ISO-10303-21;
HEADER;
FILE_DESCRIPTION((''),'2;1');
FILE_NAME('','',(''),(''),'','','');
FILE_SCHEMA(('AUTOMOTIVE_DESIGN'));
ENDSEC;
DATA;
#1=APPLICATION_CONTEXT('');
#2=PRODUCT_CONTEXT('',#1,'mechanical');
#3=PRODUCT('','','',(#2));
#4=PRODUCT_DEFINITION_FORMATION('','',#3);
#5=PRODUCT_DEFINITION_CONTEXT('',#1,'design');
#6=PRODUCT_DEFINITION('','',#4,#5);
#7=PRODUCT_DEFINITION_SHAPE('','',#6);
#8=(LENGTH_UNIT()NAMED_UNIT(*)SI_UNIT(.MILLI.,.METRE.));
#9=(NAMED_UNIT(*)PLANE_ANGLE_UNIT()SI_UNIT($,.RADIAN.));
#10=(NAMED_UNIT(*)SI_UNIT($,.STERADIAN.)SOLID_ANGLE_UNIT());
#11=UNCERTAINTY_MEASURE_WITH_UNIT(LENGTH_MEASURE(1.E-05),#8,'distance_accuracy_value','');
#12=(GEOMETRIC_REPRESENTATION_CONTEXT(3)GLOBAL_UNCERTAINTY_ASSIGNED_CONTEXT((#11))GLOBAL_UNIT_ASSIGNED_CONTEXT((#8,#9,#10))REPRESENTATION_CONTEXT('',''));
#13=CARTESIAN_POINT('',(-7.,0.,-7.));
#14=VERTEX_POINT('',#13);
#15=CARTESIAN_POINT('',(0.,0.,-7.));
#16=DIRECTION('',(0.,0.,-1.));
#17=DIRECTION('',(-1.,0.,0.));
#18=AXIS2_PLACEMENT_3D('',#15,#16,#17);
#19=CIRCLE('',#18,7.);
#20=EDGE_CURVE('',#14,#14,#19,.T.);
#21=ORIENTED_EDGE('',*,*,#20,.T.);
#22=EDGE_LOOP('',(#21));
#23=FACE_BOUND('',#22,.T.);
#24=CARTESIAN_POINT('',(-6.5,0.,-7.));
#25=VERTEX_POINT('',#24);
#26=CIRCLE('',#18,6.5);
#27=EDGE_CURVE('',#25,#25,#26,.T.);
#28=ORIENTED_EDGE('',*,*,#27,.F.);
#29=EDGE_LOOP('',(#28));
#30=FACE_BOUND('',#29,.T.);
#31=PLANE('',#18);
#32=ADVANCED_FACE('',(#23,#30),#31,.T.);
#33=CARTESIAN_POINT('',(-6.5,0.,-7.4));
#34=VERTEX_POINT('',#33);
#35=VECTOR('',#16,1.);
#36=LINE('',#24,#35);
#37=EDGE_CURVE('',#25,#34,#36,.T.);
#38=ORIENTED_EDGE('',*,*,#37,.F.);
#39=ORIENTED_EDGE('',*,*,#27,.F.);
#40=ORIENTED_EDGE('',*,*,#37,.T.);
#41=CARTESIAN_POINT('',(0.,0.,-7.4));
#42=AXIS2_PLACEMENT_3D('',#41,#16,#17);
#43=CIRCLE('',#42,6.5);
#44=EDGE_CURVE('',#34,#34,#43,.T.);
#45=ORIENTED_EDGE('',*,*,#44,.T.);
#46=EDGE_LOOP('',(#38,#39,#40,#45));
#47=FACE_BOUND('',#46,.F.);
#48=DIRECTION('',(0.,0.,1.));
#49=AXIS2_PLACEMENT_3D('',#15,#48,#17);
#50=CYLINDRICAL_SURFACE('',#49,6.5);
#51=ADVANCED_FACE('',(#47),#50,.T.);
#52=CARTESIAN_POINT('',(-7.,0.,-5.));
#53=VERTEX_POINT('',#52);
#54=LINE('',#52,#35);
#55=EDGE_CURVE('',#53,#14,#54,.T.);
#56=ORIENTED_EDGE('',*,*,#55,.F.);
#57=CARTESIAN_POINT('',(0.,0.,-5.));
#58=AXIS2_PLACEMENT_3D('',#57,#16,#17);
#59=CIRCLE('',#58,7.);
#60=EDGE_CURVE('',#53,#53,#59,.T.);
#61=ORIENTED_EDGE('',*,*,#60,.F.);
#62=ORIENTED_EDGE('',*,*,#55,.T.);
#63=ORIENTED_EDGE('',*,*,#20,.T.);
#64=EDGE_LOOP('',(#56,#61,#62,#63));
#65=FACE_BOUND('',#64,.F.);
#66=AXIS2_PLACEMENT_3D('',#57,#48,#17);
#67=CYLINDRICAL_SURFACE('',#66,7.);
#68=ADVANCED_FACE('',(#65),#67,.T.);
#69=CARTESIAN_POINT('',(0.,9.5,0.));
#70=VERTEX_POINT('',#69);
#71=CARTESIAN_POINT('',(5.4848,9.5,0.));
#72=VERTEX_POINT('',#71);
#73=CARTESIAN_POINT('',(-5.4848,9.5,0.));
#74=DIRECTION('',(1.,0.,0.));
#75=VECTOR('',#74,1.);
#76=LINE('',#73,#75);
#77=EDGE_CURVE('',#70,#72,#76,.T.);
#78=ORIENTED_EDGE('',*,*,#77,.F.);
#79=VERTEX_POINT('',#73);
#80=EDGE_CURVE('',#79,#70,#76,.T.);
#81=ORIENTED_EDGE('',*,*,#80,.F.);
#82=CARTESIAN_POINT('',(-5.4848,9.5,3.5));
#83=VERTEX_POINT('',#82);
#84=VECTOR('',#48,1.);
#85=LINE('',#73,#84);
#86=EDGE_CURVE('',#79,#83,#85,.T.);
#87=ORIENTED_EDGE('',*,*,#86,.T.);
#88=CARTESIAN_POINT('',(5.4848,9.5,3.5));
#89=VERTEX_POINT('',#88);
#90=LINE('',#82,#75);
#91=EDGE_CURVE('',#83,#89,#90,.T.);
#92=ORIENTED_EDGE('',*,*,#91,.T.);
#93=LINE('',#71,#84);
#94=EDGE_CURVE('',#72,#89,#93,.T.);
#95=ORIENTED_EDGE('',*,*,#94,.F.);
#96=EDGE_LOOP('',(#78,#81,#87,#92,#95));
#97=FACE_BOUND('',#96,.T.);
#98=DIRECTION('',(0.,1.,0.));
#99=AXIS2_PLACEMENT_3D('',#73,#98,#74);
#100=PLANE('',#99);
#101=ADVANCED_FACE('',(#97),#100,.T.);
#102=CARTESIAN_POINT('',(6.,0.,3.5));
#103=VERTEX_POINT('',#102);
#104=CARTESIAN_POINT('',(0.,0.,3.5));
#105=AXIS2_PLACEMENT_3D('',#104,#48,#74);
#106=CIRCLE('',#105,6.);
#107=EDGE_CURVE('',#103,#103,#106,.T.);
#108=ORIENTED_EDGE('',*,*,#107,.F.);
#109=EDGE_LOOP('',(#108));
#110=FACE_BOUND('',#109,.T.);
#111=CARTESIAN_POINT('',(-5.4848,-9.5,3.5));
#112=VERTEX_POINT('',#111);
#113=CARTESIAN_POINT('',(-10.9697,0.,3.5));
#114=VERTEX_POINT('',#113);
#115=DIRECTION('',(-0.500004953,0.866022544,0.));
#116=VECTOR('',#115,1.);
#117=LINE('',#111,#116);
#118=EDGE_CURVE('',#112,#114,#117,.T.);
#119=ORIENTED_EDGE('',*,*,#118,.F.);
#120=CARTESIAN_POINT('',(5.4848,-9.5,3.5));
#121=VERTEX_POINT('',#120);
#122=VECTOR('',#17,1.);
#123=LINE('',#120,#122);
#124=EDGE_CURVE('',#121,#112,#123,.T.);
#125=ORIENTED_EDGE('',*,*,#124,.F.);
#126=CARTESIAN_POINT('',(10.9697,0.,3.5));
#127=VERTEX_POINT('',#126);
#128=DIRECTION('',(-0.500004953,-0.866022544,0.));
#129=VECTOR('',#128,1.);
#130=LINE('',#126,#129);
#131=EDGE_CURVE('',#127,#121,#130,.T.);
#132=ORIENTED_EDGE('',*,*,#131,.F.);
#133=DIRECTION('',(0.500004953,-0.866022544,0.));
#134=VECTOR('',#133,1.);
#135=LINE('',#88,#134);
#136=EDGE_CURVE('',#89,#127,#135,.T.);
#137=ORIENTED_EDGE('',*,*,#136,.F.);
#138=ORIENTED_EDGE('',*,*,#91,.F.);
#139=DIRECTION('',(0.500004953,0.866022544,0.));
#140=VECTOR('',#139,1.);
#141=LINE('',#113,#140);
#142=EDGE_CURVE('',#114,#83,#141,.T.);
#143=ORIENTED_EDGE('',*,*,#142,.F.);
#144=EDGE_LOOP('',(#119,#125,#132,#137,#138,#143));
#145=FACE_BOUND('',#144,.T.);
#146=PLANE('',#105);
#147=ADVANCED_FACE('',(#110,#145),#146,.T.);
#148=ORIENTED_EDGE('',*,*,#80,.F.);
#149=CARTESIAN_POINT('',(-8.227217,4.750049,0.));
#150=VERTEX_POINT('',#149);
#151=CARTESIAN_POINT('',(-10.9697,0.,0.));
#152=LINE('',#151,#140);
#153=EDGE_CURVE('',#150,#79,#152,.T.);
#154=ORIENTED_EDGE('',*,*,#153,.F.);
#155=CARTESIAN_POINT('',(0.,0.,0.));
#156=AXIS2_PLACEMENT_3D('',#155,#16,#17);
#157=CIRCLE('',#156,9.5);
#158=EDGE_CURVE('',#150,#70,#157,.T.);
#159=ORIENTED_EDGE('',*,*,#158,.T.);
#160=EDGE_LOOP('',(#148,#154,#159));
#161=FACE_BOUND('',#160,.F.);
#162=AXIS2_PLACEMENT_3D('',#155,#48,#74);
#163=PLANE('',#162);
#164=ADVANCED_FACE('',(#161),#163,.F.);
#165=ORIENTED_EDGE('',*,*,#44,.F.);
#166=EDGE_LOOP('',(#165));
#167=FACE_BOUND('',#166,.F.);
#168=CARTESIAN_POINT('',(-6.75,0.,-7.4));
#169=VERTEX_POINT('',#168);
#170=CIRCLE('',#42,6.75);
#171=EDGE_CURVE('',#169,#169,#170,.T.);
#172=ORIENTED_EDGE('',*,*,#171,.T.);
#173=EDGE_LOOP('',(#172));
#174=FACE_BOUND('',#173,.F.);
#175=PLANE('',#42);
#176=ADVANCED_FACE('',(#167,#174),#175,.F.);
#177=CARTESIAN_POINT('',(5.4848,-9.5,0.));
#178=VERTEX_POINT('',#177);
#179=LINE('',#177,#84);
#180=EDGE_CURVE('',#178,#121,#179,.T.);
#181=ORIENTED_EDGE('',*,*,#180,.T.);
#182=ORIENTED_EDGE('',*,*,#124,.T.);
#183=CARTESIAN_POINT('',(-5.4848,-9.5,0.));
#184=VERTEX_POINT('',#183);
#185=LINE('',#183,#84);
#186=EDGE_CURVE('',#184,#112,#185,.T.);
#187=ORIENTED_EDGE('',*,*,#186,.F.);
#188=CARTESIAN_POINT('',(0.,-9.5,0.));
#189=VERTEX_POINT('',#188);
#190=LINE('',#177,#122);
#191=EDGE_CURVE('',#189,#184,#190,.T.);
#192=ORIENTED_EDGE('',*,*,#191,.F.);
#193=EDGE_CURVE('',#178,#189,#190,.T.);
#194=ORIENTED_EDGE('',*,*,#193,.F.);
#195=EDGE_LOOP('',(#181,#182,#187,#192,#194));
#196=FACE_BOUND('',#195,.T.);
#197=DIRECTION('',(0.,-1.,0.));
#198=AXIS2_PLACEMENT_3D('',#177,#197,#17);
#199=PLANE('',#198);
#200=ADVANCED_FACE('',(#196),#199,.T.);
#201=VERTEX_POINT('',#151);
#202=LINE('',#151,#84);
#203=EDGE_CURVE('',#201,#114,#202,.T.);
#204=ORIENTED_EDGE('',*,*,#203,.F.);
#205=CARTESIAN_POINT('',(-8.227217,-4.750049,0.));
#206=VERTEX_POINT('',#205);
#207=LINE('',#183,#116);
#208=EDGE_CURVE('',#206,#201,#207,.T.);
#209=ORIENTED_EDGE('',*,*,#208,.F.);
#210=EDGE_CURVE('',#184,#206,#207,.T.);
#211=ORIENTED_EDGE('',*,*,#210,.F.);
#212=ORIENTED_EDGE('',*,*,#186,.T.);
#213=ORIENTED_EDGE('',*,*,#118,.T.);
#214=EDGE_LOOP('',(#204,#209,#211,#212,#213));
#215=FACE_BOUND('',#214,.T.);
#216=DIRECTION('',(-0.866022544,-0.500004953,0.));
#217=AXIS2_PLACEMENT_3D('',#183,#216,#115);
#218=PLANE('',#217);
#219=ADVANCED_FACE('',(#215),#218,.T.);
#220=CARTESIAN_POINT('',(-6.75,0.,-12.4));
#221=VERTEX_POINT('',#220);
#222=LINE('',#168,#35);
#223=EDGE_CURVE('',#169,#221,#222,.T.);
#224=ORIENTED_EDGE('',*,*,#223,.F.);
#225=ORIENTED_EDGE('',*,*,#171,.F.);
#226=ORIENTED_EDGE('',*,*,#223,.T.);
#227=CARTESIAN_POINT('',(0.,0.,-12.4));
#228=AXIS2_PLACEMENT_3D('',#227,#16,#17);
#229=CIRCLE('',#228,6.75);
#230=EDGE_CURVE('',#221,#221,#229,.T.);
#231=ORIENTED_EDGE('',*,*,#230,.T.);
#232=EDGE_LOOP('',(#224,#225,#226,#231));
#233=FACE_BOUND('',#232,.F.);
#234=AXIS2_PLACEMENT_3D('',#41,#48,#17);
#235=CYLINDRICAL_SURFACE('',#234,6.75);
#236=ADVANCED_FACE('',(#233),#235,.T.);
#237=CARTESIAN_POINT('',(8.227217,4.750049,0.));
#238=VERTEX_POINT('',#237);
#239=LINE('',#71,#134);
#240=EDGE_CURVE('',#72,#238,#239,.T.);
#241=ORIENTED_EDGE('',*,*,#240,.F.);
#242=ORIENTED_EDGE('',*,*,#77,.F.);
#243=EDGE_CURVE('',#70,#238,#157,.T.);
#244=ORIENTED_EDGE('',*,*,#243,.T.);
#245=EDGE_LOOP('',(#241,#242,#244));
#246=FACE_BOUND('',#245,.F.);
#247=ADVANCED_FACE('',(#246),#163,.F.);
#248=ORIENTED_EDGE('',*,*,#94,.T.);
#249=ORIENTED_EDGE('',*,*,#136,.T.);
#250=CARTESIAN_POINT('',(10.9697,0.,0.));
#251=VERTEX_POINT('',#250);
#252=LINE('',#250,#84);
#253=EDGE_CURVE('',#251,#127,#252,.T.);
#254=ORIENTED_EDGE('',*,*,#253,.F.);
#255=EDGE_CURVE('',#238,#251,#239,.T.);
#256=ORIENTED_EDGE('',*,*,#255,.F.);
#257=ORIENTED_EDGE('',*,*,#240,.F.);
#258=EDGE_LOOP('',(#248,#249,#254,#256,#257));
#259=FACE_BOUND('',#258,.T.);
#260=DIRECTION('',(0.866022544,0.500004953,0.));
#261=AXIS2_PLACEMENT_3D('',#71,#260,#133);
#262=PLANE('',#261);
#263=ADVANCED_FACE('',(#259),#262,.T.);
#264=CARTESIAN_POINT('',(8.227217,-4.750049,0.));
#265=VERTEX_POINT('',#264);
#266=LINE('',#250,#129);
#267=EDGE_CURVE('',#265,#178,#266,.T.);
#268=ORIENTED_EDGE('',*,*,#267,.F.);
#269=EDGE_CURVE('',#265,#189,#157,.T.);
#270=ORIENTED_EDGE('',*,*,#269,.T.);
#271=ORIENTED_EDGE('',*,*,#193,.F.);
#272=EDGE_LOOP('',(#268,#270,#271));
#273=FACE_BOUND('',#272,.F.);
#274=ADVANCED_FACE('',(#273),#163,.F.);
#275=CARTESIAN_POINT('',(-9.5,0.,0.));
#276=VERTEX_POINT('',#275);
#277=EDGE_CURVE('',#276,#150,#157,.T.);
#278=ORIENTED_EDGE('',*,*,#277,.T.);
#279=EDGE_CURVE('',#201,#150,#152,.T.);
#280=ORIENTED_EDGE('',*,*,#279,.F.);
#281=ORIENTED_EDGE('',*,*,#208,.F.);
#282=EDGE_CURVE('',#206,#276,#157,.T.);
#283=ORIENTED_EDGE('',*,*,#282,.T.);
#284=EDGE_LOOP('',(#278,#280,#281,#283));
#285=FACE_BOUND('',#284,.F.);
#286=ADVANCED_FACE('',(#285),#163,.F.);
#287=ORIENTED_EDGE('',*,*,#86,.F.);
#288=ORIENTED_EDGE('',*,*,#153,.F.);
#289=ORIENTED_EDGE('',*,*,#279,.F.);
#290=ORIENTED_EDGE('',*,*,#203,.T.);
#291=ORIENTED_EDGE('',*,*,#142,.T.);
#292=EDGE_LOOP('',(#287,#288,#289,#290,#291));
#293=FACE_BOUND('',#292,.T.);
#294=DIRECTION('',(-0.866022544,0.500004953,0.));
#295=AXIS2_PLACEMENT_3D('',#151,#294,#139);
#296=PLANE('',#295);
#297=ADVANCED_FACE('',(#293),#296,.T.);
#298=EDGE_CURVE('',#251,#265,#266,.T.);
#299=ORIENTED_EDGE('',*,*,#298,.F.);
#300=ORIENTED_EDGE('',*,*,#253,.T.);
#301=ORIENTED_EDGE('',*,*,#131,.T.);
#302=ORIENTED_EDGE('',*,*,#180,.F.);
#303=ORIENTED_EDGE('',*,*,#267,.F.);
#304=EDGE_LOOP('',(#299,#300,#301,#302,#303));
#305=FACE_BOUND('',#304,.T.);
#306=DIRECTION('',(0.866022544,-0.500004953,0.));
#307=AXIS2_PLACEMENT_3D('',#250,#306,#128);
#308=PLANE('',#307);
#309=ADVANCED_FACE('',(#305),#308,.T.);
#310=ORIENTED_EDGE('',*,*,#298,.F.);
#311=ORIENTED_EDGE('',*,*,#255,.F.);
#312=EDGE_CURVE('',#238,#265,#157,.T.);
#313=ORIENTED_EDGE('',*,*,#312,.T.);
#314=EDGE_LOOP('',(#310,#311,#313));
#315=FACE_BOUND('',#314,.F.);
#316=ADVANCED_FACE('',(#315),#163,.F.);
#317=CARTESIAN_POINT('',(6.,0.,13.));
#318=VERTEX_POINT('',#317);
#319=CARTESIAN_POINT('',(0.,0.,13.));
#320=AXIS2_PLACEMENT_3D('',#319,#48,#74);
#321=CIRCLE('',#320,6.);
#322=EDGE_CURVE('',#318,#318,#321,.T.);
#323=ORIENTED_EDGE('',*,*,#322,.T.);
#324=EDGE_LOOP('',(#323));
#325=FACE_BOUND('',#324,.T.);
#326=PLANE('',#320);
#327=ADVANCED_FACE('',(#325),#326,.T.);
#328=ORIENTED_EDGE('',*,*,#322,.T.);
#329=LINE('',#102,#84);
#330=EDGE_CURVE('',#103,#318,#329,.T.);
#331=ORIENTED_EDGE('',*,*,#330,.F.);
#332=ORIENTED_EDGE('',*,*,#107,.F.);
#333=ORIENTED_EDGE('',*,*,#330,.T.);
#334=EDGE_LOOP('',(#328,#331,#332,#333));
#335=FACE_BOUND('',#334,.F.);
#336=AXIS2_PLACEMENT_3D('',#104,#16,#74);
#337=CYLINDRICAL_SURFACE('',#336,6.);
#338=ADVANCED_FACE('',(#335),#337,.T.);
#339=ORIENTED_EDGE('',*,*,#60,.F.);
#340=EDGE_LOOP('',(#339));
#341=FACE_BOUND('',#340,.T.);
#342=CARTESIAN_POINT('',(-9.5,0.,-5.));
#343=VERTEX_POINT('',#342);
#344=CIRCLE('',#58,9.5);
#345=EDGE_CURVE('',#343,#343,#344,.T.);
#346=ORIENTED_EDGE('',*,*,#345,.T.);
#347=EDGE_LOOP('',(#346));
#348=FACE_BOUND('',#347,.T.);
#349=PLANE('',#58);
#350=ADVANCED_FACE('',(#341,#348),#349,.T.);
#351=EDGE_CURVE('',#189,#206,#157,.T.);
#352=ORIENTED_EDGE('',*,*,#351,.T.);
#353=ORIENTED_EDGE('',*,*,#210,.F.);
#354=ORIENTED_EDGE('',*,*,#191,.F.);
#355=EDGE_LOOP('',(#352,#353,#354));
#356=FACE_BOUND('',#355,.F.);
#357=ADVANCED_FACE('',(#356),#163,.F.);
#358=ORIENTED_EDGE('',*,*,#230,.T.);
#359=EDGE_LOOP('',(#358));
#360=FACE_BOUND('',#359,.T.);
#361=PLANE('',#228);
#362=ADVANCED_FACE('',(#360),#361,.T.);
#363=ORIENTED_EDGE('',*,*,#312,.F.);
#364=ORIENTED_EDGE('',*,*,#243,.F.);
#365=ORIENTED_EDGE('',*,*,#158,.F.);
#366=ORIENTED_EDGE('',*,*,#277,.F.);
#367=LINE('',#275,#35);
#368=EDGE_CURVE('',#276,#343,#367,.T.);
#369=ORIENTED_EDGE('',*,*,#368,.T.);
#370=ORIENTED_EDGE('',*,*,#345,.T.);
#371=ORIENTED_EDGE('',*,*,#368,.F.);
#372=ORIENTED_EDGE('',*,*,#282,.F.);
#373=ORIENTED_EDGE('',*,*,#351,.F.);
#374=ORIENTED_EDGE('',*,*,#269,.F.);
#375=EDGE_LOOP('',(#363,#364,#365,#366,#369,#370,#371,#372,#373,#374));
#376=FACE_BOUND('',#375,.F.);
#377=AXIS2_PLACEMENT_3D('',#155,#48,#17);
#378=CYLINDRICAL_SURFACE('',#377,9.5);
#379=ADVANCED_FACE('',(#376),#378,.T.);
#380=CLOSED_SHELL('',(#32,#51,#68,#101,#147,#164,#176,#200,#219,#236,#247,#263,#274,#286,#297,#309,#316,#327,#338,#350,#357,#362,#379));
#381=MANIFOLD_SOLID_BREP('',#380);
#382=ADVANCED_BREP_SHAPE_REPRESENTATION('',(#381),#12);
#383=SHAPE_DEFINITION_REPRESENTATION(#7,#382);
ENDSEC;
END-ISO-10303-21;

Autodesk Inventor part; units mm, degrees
ref_plane "YZ Plane" through (0, 0, 0) normal (1, 0, 0) x (0, 1, 0)
ref_plane "XZ Plane" through (0, 0, 0) normal (0, 1, 0) x (-1, 0, 0)
ref_plane "XY Plane" through (0, 0, 0) normal (0, 0, 1) x (1, 0, 0)
sketch "Sketch2" plane through (0, 0, 0) normal (0, 0, 1) x (1, 0, 0)
  line L0 (10.9697, 0) -> (5.4848, -9.5)
  line L1 (5.4848, -9.5) -> (-5.4848, -9.5)
  line L2 (-5.4848, -9.5) -> (-10.9697, 0)
  line L3 (-10.9697, 0) -> (-5.4848, 9.5)
  line L4 (-5.4848, 9.5) -> (5.4848, 9.5)
  line L5 (5.4848, 9.5) -> (10.9697, 0)
  point P0 (0, 0)
  point P1 (0, 0)
  dimension "d2" = 9.5
  dimension "d3" = 19
extrude "Extrusion1" add sketch "Sketch2" along normal blind 3.5
sketch "Sketch3" plane through (0, 0, 3.5) normal (0, 0, 1) x (1, 0, 0)
  circle A0 centre (0, 0) radius 6
  dimension "d6" = 12
extrude "Extrusion2" add sketch "Sketch3" along normal blind 9.5
sketch "Sketch4" plane through (0, 0, 0) normal (0, 0, -1) x (-1, 0, 0)
  circle A0 centre (0, 0) radius 9.5
  dimension "d9" = 19
extrude "Extrusion3" add sketch "Sketch4" along normal blind 5
sketch "Sketch5" plane through (0, 0, -5) normal (0, 0, -1) x (-1, 0, 0)
  circle A0 centre (0, 0) radius 7
  dimension "d12" = 14
extrude "Extrusion4" add sketch "Sketch5" along normal blind 2
sketch "Sketch6" plane through (0, 0, -7) normal (0, 0, -1) x (-1, 0, 0)
  circle A0 centre (0, 0) radius 6.5
  dimension "d15" = 13
extrude "Extrusion5" add sketch "Sketch6" along normal blind 0.4
sketch "Sketch7" plane through (0, 0, -7.4) normal (0, 0, -1) x (-1, 0, 0)
  circle A0 centre (0, 0) radius 6.75
  dimension "d18" = 13.5
extrude "Extrusion6" add sketch "Sketch7" along normal blind 5
thread "Thread1" size "M12x1.75" class "6g" standard "ANSI Metric M Profile" full length
properties part number "NPI-19M-030G2"
